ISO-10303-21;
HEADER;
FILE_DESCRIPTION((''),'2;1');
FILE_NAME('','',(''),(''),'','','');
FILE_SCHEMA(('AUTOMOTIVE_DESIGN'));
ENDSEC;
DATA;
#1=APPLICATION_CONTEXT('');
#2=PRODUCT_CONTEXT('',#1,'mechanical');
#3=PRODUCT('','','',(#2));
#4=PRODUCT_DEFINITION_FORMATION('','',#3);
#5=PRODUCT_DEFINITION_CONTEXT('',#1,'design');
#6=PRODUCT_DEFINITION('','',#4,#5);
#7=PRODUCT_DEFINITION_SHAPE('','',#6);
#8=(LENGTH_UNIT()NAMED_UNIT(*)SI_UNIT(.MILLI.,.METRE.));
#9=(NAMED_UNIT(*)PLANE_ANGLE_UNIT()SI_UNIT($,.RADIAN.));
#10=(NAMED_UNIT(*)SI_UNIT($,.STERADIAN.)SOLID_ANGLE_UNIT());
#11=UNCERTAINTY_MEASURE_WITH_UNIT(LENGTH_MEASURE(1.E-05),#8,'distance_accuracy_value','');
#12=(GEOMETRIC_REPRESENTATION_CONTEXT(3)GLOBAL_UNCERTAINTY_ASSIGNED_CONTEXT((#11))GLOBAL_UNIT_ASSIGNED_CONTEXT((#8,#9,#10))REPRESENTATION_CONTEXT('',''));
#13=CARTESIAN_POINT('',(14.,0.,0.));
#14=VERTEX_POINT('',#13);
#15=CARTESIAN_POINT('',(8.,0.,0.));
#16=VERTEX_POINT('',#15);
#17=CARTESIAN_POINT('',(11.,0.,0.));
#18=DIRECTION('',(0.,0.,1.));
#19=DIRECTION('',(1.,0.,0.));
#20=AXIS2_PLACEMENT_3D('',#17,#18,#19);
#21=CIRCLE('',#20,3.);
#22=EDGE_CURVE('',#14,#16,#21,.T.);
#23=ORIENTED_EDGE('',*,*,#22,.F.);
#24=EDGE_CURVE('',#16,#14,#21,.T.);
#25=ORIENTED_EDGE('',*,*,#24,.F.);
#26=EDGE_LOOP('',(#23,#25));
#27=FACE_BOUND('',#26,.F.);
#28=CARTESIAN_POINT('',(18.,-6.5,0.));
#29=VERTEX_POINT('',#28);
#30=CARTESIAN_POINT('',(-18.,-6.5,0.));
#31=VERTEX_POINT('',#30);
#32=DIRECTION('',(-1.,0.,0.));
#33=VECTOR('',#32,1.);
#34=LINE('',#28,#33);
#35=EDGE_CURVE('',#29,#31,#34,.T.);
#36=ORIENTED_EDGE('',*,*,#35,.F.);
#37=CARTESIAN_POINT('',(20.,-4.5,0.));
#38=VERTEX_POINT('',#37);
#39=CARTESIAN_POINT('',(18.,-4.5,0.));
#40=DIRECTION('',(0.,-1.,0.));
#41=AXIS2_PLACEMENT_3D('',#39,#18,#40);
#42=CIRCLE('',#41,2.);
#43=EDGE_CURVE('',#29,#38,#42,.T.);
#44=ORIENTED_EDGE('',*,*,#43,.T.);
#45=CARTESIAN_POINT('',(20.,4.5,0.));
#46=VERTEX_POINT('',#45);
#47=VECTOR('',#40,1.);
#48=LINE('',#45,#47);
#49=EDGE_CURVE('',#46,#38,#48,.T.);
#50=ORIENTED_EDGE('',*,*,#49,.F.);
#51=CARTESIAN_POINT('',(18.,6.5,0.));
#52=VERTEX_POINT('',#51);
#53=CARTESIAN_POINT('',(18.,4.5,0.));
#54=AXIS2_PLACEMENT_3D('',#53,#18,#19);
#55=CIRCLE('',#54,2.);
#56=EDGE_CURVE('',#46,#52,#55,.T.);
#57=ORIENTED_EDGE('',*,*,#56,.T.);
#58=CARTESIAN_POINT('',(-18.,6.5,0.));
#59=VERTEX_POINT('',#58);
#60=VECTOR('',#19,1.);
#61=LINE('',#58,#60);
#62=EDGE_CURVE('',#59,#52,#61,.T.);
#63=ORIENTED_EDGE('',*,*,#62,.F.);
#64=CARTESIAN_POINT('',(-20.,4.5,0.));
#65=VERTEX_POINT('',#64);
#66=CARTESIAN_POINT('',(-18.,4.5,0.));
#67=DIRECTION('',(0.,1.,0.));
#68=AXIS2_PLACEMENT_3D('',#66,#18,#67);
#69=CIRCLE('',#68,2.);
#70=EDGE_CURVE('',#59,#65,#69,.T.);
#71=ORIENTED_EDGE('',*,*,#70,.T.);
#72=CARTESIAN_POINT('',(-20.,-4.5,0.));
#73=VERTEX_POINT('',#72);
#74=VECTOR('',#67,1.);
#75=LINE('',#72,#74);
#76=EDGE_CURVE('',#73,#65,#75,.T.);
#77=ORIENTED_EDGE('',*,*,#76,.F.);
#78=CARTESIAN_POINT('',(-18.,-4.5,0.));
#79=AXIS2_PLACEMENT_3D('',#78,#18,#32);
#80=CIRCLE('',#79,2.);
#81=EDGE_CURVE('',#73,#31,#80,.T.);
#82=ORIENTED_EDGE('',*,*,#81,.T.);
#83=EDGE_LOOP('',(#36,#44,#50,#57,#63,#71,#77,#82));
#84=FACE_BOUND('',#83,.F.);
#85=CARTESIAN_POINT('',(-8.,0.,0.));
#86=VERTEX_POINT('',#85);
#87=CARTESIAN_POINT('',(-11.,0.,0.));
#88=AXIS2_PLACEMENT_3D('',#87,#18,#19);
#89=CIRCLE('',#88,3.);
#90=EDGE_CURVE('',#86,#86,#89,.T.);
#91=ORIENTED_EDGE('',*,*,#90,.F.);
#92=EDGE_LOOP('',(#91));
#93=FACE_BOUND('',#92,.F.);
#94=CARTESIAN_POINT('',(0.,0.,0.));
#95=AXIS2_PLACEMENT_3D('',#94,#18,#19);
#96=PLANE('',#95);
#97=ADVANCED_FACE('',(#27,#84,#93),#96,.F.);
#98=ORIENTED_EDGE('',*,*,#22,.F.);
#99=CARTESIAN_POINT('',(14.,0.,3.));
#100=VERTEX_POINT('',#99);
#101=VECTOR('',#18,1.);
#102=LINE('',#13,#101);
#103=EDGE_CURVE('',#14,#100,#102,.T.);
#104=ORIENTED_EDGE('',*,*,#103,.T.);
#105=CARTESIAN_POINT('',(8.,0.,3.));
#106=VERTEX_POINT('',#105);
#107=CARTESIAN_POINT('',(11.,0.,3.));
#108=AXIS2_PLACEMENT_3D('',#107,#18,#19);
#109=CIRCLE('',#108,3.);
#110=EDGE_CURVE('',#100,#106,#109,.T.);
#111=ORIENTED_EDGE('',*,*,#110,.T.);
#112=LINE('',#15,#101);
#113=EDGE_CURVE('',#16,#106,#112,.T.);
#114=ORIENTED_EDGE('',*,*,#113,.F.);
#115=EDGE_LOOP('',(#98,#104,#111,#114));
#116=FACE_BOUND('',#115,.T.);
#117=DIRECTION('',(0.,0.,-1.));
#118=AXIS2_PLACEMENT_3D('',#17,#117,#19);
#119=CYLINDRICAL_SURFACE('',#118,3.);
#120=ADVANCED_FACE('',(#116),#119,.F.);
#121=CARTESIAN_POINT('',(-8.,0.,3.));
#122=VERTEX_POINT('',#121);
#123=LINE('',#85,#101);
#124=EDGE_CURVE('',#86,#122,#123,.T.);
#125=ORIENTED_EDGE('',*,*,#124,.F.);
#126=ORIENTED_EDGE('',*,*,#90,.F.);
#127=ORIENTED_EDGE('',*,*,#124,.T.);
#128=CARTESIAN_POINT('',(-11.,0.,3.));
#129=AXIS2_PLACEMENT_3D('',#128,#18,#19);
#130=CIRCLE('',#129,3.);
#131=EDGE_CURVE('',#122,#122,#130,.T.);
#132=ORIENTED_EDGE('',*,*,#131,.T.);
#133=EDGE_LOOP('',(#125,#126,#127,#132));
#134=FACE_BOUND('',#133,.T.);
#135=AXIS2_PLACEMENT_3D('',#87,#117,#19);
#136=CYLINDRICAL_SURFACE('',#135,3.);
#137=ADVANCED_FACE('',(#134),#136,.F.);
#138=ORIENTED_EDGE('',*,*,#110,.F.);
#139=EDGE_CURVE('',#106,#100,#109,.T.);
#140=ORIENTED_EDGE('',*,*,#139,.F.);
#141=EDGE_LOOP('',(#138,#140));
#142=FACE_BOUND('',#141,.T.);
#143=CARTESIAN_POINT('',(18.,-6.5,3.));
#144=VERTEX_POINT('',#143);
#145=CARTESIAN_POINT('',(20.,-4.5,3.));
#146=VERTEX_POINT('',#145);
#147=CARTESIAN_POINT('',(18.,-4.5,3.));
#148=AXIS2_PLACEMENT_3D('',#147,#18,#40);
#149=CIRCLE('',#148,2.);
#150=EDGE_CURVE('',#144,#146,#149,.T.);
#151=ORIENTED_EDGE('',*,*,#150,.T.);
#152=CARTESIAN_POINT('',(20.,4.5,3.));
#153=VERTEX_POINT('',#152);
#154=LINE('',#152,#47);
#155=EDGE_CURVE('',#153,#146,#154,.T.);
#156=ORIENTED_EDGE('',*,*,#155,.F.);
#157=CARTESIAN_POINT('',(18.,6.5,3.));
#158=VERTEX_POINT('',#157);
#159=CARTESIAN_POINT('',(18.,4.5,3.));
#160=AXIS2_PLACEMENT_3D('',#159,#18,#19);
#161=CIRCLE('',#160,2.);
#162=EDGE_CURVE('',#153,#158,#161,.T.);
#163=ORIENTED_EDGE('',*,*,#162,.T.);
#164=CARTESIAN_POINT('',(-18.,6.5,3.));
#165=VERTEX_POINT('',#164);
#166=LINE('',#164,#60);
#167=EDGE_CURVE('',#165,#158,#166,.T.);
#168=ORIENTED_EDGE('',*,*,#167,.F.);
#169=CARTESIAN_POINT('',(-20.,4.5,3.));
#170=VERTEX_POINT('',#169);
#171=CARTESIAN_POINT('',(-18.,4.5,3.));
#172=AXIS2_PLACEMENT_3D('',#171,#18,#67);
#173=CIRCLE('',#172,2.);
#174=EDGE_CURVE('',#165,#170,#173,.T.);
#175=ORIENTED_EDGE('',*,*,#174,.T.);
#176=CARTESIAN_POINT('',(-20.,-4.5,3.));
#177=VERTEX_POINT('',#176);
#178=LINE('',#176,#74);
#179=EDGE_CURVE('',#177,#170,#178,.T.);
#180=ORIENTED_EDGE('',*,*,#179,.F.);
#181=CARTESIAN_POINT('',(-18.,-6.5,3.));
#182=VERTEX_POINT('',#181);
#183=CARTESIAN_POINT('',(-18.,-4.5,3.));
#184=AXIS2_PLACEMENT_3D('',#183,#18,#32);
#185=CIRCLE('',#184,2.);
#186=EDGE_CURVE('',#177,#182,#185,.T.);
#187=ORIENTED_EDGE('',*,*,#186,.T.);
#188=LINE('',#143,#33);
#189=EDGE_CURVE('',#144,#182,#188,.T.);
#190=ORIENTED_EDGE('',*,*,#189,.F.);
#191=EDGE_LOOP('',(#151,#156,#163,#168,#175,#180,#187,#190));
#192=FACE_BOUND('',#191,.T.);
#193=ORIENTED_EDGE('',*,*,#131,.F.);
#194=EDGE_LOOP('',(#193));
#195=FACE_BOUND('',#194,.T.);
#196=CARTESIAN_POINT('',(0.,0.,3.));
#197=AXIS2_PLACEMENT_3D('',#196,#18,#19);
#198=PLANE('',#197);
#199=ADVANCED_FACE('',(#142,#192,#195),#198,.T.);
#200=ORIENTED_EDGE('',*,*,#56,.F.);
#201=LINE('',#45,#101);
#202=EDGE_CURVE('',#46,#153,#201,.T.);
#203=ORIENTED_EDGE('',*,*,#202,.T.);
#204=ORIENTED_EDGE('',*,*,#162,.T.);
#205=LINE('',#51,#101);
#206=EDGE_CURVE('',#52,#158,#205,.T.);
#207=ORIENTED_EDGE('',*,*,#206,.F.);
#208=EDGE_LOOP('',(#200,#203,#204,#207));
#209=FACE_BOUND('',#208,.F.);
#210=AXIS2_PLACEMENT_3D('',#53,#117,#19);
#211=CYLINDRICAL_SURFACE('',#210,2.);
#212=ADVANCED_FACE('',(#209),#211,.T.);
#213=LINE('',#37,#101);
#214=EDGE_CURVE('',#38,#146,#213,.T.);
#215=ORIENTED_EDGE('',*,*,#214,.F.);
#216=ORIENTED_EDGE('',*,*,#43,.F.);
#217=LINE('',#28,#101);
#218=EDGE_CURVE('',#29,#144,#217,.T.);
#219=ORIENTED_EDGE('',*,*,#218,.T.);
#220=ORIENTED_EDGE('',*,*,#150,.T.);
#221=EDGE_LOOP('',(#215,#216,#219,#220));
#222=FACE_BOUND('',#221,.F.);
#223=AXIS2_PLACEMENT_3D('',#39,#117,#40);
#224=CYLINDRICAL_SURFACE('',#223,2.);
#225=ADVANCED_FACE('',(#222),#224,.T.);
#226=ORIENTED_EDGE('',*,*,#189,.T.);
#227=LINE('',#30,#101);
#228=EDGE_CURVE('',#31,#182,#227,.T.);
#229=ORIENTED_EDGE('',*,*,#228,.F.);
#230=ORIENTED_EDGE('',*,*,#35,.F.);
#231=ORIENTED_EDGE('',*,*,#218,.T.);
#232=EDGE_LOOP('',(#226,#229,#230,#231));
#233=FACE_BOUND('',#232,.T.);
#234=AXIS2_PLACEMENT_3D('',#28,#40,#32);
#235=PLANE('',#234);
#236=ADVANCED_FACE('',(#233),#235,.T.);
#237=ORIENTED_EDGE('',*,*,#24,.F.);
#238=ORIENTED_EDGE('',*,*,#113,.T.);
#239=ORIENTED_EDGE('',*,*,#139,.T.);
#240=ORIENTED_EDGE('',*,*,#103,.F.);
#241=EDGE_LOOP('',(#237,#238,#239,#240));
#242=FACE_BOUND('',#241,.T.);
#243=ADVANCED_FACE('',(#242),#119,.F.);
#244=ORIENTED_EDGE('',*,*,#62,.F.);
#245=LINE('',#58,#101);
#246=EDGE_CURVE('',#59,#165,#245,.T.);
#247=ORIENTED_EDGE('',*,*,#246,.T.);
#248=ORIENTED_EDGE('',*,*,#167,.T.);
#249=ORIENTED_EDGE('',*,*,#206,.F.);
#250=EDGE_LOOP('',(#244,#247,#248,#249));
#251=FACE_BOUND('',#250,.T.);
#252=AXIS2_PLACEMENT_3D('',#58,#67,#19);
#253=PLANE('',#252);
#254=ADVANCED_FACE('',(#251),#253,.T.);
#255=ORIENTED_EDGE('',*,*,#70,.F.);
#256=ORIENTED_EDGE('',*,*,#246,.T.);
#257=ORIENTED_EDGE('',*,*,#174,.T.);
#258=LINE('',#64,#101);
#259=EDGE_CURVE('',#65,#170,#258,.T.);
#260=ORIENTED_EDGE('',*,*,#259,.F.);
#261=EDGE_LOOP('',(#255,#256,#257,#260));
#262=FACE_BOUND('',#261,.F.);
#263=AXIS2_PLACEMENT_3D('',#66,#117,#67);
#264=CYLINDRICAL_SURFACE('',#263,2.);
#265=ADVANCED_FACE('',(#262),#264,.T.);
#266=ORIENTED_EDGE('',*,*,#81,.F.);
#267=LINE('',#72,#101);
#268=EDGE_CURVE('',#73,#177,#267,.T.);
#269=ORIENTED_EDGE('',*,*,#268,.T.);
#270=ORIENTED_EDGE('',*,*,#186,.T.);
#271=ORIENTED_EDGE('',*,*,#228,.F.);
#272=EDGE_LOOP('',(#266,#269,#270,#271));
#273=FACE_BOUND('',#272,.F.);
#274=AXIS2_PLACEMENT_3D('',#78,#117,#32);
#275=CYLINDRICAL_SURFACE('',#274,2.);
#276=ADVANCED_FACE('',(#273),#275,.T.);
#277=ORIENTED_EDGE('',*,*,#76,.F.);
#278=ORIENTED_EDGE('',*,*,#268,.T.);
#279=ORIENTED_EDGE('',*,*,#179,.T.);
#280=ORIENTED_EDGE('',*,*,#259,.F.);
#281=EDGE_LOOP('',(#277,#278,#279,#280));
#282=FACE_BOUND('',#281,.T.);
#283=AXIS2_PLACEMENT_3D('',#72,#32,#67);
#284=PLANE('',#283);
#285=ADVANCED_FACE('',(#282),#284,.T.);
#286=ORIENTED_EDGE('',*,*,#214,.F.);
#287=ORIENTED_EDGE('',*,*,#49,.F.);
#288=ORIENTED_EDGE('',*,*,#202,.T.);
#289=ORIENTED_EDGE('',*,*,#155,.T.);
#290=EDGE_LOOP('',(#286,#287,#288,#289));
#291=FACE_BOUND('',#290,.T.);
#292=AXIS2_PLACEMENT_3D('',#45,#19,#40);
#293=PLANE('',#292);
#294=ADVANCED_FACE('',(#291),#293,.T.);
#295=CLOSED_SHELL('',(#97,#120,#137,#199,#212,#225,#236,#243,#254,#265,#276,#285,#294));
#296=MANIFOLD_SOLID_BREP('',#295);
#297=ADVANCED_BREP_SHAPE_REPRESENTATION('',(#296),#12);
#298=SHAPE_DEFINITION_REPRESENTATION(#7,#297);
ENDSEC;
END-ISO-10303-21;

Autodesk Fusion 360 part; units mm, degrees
sketch "Sketch1" plane through (0, 0, 0) normal (0, 0, 1) x (1, 0, 0)
  line L0 (18, -6.5) -> (-18, -6.5)
  line L1 (-20, -4.5) -> (-20, 4.5)
  line L2 (-18, 6.5) -> (18, 6.5)
  line L3 (20, 4.5) -> (20, -4.5)
  line L4 (20, -6.5) -> (-20, 6.5) construction
  line L5 (-20, -6.5) -> (20, 6.5) construction
  arc A0 (20, 4.5) -> (18, 6.5) centre (18, 4.5) ccw
  arc A1 (18, -6.5) -> (20, -4.5) centre (18, -4.5) ccw
  arc A2 (-20, -4.5) -> (-18, -6.5) centre (-18, -4.5) ccw
  arc A3 (-18, 6.5) -> (-20, 4.5) centre (-18, 4.5) ccw
  line L6 (0, 0) -> (11, 0)
  line L7 (0, 0) -> (-11, 0) construction
  circle A4 centre (11, 0) radius 3
  circle A5 centre (-11, 0) radius 3
  dimension "d1" = 40
  dimension "d2" = 13
  dimension "d3" = 2
  dimension "d4" = 11
  dimension "d5" = 11
  dimension "d6" = 6
  dimension "d7" = 6
extrude "Extrude1" add sketch "Sketch1" along normal blind 3
